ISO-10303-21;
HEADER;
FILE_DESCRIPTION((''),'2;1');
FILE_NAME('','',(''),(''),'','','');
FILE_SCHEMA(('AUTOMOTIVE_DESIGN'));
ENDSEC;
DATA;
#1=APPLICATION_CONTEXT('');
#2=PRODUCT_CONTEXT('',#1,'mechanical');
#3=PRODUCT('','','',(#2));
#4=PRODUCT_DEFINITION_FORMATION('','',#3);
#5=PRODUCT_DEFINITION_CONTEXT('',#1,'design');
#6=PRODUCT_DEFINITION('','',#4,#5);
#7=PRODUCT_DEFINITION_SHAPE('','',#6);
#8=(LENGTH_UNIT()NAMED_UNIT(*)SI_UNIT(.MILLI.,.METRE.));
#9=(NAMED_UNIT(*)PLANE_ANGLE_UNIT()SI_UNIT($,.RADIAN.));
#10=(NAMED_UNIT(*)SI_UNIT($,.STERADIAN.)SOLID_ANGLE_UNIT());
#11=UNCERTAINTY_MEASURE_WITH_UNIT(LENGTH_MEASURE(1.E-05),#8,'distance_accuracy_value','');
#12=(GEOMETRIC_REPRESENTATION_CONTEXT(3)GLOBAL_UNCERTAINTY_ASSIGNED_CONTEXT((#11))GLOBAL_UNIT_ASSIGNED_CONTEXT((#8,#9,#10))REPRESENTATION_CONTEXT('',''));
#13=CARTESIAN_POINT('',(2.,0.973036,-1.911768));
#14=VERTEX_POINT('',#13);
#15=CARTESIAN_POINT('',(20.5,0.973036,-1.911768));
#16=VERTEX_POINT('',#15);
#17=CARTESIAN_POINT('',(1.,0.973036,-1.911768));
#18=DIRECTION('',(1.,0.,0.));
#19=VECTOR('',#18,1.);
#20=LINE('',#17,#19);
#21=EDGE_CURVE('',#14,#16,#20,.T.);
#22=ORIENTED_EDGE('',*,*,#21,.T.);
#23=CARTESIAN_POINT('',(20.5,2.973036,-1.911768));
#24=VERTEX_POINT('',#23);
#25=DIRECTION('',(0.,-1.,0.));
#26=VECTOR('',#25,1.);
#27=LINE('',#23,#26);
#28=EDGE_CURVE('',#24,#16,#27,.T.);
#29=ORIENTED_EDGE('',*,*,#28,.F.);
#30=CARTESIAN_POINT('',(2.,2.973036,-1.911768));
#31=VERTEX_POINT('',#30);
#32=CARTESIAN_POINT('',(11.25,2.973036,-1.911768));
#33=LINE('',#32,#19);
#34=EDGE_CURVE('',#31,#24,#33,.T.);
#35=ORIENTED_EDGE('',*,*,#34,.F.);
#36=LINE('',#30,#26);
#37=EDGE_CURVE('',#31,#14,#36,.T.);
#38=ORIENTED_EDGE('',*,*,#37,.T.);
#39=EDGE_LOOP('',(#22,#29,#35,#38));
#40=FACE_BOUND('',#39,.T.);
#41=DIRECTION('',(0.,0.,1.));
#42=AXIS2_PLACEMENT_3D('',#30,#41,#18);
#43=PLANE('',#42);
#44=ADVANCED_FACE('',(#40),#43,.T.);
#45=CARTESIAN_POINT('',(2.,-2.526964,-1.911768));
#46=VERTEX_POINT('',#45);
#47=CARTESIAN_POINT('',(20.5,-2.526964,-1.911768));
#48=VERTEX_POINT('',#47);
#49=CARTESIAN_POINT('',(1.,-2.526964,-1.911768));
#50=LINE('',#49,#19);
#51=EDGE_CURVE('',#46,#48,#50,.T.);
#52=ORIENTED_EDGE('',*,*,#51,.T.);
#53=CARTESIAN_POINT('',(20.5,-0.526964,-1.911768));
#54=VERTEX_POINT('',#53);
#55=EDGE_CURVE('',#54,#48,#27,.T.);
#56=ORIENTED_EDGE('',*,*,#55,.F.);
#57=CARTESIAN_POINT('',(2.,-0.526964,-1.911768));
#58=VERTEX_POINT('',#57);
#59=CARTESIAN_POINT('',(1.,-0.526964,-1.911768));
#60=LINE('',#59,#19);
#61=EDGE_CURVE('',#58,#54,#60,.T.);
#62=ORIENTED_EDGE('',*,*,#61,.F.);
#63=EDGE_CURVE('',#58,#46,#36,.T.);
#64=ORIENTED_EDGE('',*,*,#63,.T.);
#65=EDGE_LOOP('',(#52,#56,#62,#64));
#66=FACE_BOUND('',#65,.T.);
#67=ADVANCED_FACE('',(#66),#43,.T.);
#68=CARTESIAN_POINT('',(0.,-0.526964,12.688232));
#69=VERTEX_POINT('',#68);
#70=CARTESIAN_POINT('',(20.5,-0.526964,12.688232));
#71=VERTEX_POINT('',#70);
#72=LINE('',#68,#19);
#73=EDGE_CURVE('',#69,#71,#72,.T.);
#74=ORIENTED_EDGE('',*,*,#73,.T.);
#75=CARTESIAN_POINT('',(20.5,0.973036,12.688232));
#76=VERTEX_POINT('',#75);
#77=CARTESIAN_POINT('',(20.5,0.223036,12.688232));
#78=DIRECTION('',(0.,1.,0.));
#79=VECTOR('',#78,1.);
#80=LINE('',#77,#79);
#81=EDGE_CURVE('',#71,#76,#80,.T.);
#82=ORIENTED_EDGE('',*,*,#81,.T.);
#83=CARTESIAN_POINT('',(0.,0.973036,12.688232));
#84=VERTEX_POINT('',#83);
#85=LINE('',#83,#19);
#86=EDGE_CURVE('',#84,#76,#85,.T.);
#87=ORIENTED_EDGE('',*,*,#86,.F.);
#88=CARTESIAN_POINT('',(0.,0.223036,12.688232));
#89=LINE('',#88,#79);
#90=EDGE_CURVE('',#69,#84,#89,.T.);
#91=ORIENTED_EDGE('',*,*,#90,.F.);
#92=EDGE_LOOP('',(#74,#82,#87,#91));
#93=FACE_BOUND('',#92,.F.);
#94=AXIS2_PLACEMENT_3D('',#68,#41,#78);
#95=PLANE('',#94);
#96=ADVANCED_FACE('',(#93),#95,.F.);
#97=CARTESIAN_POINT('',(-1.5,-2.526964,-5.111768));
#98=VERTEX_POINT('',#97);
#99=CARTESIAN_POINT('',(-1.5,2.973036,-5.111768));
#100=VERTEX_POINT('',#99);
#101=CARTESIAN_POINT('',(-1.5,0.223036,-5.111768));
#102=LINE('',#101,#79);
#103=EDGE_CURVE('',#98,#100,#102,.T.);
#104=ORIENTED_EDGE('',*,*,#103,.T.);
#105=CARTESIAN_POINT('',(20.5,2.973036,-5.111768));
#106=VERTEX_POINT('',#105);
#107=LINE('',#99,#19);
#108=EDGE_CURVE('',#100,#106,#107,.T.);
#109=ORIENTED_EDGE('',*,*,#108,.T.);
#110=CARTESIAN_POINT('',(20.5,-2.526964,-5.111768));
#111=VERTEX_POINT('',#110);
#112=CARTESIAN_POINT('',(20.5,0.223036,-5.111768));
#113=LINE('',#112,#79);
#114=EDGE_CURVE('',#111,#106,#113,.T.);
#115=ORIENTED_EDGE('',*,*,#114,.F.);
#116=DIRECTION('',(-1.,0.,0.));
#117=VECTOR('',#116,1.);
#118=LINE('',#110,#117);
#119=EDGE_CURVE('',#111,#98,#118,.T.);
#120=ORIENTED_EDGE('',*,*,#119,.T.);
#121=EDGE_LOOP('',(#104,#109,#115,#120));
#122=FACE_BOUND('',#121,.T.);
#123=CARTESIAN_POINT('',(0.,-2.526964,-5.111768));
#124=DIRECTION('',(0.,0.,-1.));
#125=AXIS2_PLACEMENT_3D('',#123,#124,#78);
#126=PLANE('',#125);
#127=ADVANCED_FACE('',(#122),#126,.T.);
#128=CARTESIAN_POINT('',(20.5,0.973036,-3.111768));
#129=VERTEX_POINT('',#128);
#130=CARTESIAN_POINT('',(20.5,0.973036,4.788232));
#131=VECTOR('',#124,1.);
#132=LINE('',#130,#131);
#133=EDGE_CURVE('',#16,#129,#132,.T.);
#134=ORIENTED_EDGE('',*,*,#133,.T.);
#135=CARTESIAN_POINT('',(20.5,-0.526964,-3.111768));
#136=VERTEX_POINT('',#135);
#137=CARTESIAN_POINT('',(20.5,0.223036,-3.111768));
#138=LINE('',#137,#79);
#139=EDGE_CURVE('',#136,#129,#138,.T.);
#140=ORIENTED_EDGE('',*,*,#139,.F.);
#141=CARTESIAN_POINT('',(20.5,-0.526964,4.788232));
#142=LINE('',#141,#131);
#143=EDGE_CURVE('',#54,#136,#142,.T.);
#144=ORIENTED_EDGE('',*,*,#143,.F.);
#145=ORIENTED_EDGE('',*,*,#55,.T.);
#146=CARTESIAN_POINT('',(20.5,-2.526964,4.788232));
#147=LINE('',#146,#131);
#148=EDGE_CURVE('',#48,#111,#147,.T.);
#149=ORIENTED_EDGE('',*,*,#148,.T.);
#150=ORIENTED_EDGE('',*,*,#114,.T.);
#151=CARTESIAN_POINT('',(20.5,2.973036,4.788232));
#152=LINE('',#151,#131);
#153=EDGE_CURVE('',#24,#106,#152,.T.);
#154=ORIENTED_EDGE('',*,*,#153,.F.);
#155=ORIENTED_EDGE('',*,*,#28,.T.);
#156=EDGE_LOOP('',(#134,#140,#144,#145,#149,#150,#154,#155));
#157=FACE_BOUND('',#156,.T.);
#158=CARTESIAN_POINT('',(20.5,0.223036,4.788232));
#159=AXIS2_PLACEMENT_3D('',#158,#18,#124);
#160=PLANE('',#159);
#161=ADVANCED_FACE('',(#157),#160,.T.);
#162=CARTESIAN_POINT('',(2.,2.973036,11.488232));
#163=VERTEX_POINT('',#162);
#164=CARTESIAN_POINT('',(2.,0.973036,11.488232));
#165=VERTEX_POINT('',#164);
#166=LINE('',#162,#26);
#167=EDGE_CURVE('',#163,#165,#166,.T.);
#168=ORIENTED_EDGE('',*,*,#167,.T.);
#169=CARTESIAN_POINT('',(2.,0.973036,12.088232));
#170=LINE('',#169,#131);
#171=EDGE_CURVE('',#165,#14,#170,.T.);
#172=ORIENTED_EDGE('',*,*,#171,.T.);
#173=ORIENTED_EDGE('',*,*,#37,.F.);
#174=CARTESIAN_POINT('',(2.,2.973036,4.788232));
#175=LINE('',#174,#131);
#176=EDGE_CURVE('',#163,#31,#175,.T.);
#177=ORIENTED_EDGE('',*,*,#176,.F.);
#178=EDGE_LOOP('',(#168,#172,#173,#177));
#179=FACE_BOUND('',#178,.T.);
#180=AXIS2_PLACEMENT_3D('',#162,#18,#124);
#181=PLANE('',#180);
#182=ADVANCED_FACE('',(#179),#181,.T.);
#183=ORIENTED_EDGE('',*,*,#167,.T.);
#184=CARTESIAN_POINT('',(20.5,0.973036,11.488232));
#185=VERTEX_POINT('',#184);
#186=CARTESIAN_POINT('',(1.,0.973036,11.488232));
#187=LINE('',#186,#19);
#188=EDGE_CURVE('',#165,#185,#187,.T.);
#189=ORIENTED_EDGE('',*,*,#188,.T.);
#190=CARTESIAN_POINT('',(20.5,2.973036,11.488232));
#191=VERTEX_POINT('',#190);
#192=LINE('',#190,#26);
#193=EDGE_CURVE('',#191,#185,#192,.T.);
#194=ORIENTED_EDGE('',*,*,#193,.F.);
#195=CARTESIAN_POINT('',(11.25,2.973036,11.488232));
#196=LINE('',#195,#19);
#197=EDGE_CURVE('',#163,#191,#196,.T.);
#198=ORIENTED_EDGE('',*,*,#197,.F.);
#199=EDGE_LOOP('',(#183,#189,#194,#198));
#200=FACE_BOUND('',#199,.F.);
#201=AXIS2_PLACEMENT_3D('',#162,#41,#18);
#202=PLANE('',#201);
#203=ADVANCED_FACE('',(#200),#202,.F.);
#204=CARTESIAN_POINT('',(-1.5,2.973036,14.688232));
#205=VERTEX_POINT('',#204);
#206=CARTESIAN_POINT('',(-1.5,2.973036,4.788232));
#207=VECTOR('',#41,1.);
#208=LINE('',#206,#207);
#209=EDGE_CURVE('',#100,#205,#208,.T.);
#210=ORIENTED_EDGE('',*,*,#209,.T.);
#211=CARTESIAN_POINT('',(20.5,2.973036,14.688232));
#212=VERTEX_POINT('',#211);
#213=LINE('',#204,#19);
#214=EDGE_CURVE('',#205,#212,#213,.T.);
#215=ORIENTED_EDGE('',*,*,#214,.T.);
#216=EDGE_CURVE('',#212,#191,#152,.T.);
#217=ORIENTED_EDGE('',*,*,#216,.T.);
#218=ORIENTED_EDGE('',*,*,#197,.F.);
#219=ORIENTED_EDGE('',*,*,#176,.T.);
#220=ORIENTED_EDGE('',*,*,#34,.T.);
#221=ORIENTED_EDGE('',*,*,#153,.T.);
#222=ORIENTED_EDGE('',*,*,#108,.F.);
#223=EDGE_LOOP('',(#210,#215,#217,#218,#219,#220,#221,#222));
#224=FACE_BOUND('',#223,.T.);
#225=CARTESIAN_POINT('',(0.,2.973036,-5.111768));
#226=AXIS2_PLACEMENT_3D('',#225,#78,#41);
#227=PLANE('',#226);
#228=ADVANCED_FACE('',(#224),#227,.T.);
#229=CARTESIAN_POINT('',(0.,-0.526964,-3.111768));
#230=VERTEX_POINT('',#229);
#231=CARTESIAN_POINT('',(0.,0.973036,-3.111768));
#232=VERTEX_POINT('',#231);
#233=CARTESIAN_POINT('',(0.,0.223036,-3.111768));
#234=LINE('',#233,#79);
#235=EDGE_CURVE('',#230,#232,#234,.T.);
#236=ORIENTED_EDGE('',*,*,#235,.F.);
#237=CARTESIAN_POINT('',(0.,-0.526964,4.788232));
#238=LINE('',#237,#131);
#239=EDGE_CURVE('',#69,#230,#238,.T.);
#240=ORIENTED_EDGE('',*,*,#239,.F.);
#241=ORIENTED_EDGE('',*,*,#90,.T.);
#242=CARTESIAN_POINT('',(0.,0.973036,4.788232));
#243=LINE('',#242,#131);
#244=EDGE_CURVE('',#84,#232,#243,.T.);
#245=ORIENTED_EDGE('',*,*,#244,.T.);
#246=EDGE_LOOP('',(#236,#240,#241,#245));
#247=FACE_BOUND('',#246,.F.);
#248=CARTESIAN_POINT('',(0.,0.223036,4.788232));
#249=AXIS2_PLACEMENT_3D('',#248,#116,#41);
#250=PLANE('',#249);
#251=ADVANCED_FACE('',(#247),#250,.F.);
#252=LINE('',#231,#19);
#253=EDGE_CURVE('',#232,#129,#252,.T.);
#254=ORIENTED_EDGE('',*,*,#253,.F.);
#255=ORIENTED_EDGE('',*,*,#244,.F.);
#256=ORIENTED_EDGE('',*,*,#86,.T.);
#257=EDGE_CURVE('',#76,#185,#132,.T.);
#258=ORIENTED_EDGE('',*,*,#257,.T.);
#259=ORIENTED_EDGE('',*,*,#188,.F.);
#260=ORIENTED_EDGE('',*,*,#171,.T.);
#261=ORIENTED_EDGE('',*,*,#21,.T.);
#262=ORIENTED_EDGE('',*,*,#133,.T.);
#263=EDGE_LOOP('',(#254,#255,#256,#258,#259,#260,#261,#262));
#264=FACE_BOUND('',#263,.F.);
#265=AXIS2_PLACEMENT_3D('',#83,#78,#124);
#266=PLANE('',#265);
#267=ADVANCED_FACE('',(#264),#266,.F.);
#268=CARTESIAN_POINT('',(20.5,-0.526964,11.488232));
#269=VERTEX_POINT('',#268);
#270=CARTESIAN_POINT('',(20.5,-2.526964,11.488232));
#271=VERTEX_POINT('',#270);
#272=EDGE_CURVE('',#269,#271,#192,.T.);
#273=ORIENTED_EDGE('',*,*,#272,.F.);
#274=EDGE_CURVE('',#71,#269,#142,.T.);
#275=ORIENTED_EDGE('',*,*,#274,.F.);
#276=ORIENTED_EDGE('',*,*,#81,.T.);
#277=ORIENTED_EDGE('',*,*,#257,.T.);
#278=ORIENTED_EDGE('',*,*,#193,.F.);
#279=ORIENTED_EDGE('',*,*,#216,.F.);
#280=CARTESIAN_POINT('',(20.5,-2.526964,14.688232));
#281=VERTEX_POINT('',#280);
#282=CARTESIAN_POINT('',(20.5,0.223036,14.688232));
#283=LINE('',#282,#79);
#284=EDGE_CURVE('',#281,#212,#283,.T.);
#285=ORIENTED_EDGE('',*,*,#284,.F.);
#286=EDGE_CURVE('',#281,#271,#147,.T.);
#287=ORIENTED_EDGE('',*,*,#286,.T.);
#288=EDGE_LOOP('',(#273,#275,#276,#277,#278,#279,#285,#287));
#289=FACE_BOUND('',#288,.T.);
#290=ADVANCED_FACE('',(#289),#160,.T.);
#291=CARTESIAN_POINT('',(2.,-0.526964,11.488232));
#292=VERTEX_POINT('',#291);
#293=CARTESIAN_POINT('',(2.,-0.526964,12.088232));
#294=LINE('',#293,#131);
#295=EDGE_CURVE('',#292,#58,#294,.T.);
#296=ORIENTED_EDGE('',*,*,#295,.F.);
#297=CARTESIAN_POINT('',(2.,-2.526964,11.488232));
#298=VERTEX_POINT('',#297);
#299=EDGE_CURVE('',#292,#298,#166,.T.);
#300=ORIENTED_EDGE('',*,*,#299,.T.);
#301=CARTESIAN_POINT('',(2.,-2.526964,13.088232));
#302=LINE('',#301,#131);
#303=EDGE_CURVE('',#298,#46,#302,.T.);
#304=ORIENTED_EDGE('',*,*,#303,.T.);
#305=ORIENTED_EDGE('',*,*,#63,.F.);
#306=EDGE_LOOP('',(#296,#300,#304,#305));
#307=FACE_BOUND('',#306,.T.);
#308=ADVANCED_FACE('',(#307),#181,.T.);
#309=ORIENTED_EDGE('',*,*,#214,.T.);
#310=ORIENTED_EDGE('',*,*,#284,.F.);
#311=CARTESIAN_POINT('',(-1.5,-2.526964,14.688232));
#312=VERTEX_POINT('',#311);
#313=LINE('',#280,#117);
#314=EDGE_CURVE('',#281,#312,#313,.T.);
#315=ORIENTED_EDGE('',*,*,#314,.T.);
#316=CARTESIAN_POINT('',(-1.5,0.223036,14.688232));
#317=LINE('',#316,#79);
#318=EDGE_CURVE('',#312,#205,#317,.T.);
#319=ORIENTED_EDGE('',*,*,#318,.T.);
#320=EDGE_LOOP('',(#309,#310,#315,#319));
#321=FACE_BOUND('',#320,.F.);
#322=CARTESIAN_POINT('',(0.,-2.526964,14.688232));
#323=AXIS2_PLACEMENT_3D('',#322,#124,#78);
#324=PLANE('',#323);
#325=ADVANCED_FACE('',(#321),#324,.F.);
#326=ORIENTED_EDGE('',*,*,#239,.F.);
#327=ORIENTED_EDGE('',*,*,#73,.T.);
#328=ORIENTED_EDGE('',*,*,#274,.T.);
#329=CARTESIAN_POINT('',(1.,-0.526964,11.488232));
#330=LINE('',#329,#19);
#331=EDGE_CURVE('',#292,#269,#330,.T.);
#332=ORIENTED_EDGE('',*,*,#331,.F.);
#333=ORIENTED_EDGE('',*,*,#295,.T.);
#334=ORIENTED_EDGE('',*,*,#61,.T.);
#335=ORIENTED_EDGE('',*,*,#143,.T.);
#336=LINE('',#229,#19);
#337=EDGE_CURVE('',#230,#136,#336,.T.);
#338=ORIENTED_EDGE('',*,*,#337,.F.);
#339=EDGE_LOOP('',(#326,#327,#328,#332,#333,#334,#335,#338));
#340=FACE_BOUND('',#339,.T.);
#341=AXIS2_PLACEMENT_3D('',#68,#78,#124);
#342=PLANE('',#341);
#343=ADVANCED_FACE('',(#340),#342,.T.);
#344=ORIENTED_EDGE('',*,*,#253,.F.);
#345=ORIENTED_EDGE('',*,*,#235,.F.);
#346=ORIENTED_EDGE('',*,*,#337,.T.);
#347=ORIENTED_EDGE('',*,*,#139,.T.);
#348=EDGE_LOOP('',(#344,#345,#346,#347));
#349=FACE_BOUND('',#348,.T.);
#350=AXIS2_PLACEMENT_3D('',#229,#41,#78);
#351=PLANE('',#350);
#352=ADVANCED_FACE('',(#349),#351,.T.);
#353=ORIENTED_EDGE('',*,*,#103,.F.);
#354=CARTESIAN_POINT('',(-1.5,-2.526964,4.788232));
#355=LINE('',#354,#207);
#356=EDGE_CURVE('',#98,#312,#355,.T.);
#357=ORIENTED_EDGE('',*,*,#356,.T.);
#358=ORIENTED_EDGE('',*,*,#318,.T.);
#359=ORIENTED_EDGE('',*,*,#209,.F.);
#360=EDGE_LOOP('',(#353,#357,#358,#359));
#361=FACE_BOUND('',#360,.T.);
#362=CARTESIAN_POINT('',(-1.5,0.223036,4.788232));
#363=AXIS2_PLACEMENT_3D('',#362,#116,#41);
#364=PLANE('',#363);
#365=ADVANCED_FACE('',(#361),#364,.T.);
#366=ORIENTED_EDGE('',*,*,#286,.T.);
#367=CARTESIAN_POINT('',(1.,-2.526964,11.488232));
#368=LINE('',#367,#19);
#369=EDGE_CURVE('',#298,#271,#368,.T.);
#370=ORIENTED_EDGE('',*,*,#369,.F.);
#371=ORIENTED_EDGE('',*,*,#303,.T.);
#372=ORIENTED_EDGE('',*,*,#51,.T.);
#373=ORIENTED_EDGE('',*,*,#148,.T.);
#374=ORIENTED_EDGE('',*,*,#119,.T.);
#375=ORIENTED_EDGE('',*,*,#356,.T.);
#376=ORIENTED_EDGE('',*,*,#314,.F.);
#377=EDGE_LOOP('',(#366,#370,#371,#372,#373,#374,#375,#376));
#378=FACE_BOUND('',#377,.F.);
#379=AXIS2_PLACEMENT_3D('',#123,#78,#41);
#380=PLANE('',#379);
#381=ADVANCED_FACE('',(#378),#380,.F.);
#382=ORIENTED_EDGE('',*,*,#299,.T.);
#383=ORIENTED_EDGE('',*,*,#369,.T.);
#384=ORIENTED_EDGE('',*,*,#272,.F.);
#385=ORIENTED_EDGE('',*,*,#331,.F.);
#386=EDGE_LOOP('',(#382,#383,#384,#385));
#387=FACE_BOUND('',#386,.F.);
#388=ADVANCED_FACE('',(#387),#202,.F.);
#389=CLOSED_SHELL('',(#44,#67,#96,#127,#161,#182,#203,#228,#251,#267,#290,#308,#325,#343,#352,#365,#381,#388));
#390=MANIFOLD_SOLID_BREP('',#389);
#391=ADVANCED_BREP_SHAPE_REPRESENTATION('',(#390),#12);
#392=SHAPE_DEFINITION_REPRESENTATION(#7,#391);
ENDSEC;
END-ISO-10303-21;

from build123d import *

# Parameters (mm, degrees)
SKETCH1_W           = 19.8
SKETCH1_H           = 5.5
SKETCH1_W_2         = 15.8
SKETCH1_H_2         = 1.5
BOSS_EXTRUDE1_DEPTH = 20.5
SKETCH2_W           = 18.5
SKETCH2_H           = 13.4
CUT_EXTRUDE1_DEPTH  = 6.5
SKETCH3_W           = 19.8
SKETCH3_H           = 5.5
BOSS_EXTRUDE2_DEPTH = 1.5


with BuildPart() as part:
    # Sketch1 → Boss-Extrude1 (new body)
    with BuildSketch(Plane(origin=(0, 0, 0), x_dir=(0, 0, -1), z_dir=(1, 0, 0))):
        with Locations((-4.788231672, 0.223036412)):
            Rectangle(SKETCH1_W, SKETCH1_H)
        with Locations((-4.788231672, 0.223036412)):
            Rectangle(SKETCH1_W_2, SKETCH1_H_2, mode=Mode.SUBTRACT)
    extrude(amount=BOSS_EXTRUDE1_DEPTH)

    # Sketch2 → Cut-Extrude1 (cut, through all)
    with BuildSketch(Plane(origin=(0, 2.973036412, 0), x_dir=(1, 0, 0), z_dir=(0, 1, 0))):
        with Locations((11.25, -4.788231672)):
            Rectangle(SKETCH2_W, SKETCH2_H)
    extrude(amount=-CUT_EXTRUDE1_DEPTH, mode=Mode.SUBTRACT)

    # Sketch3 → Boss-Extrude2 (add)
    with BuildSketch(Plane.ZY):
        with Locations((4.788231672, 0.223036412)):
            Rectangle(SKETCH3_W, SKETCH3_H)
    extrude(amount=BOSS_EXTRUDE2_DEPTH)


solid = part.part
